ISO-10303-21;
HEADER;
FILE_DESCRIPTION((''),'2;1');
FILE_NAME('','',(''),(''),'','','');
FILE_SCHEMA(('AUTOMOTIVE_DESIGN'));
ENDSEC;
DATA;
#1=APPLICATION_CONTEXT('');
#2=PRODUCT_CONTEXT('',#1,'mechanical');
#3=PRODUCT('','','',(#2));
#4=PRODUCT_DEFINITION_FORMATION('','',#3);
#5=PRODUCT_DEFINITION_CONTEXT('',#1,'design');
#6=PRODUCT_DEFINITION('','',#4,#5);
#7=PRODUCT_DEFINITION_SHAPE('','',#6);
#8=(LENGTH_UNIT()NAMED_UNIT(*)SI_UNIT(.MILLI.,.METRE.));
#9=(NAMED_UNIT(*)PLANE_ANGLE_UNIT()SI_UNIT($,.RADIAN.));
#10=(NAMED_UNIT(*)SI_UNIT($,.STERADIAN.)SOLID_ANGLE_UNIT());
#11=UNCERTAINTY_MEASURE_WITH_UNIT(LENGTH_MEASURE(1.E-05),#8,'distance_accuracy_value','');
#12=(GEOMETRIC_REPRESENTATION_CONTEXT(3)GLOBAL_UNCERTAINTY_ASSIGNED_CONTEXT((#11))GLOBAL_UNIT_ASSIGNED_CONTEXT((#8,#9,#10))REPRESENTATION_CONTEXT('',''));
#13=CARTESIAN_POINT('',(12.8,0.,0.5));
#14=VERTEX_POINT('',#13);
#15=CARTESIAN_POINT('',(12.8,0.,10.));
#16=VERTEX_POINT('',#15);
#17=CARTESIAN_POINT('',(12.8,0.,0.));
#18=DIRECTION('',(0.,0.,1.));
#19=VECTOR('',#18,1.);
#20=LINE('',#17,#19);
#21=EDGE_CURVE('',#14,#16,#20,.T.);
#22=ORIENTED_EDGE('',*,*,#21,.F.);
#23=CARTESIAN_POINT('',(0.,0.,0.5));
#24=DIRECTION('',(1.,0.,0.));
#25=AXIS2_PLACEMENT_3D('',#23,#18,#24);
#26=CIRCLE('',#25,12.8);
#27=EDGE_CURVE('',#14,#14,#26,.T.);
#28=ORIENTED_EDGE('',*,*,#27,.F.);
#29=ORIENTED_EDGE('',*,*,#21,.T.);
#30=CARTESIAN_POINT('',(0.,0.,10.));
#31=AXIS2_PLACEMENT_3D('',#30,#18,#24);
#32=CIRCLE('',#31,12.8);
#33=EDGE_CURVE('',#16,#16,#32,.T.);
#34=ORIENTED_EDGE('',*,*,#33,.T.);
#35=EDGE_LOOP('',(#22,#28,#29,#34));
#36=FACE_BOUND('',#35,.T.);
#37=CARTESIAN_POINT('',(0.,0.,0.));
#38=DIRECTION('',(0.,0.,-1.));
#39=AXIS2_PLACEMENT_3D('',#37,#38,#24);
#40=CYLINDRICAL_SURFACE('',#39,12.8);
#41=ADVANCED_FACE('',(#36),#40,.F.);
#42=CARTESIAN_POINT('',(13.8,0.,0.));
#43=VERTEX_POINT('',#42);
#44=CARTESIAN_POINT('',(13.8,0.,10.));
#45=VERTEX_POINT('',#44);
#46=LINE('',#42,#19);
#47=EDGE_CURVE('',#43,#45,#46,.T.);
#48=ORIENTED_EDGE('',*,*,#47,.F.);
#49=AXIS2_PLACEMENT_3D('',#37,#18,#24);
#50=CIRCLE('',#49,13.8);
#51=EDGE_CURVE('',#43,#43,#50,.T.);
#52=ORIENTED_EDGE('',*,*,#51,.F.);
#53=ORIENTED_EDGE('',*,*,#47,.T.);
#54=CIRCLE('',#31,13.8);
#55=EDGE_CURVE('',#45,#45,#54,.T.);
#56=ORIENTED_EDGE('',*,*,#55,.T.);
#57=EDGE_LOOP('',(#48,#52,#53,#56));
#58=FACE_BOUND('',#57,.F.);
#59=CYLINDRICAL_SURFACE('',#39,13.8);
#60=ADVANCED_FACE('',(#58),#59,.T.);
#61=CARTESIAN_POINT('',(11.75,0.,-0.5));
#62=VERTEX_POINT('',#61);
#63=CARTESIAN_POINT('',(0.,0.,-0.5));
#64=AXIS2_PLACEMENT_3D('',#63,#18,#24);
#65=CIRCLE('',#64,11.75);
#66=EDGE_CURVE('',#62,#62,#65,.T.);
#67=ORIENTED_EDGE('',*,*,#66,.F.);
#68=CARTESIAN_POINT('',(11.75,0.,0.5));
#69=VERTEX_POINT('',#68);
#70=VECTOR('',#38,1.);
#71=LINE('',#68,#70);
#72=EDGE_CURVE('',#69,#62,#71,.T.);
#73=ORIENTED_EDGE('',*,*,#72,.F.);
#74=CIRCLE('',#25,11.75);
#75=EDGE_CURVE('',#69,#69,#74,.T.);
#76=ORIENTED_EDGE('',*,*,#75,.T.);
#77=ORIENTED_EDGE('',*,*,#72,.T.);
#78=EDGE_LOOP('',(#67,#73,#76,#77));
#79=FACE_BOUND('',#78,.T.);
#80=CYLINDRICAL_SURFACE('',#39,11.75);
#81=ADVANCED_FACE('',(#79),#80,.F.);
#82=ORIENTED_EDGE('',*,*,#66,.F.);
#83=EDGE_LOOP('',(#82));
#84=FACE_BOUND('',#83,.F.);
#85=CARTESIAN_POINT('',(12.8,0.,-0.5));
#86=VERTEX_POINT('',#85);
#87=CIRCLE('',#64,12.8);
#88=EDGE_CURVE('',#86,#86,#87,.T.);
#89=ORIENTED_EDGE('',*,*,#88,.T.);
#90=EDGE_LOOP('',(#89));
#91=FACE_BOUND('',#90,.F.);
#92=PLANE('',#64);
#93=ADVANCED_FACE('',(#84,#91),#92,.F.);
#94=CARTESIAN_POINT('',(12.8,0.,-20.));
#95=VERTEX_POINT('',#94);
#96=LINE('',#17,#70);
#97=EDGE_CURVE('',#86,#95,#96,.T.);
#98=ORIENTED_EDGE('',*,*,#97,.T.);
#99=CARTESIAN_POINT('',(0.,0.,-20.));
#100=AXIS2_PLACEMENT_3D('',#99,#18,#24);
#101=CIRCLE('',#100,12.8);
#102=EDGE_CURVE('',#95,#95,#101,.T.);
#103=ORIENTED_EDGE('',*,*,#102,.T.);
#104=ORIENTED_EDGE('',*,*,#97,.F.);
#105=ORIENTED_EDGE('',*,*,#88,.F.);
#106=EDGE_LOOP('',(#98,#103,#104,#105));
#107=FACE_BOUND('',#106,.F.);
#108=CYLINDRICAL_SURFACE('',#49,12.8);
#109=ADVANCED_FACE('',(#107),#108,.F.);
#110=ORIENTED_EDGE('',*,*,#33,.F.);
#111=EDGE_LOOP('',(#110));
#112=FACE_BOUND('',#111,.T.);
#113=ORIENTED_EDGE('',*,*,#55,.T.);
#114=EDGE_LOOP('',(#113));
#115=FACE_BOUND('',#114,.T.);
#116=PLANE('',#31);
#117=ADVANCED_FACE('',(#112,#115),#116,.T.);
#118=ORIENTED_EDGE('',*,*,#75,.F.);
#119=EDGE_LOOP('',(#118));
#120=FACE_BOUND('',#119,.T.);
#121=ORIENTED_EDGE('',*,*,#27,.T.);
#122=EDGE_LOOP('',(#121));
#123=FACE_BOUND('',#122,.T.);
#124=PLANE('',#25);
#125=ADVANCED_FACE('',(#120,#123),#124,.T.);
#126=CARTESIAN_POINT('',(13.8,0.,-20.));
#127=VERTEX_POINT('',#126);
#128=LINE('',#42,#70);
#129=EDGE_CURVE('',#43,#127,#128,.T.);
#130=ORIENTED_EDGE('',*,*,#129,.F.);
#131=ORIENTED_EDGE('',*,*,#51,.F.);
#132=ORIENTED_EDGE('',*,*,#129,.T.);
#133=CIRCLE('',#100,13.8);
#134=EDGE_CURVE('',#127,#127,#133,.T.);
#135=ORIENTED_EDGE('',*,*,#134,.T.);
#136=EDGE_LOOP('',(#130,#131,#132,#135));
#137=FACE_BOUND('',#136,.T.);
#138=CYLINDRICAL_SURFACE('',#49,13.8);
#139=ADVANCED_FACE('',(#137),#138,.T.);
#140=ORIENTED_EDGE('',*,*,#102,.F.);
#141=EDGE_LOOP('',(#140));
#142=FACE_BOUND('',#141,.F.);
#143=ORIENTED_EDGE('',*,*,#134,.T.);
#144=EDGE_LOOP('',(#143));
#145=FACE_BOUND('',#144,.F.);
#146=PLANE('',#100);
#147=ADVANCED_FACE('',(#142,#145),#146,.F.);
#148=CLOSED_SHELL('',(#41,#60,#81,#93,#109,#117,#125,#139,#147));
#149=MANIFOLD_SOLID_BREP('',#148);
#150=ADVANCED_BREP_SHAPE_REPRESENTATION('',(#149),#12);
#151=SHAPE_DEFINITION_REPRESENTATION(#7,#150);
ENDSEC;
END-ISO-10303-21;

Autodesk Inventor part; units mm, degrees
ref_plane "YZ Plane" through (0, 0, 0) normal (1, 0, 0) x (0, 1, 0)
ref_plane "XZ Plane" through (0, 0, 0) normal (0, 1, 0) x (-1, 0, 0)
ref_plane "XY Plane" through (0, 0, 0) normal (0, 0, 1) x (1, 0, 0)
sketch "Sketch1" plane through (0, 0, 0) normal (0, 0, 1) x (1, 0, 0)
  circle A0 centre (0, 0) radius 11.75
  circle A1 centre (0, 0) radius 12.8
  circle A2 centre (0, 0) radius 13.8
  dimension "d0" = 23.5
  dimension "d1" = 25.6
  dimension "d2" = 27.6
extrude "Extrusion1" add sketch "Sketch1" along normal mid plane 1 contours A1
extrude "Extrusion2" add sketch "Sketch1" along normal blind 10 and the other way blind 20 contours A2
equation "\"d0\" = dInternal"
equation "\"d1\" = dFilter"
equation "\"d2\" = dFilter + wWall"
equation "\"d3\" = 0.5 * wCentral"
equation "\"d5\" = lFront"
equation "\"d6\" = lBack"
equation "\"wWall\" = 2"
equation "\"dFilter\" = 25.6"
equation "\"dInternal\" = 23.5"
equation "\"wCentral\" = 2"
equation "\"lFront\" = 10"
equation "\"lBack\" = 20"
properties part number "EimarFilterHolder"
